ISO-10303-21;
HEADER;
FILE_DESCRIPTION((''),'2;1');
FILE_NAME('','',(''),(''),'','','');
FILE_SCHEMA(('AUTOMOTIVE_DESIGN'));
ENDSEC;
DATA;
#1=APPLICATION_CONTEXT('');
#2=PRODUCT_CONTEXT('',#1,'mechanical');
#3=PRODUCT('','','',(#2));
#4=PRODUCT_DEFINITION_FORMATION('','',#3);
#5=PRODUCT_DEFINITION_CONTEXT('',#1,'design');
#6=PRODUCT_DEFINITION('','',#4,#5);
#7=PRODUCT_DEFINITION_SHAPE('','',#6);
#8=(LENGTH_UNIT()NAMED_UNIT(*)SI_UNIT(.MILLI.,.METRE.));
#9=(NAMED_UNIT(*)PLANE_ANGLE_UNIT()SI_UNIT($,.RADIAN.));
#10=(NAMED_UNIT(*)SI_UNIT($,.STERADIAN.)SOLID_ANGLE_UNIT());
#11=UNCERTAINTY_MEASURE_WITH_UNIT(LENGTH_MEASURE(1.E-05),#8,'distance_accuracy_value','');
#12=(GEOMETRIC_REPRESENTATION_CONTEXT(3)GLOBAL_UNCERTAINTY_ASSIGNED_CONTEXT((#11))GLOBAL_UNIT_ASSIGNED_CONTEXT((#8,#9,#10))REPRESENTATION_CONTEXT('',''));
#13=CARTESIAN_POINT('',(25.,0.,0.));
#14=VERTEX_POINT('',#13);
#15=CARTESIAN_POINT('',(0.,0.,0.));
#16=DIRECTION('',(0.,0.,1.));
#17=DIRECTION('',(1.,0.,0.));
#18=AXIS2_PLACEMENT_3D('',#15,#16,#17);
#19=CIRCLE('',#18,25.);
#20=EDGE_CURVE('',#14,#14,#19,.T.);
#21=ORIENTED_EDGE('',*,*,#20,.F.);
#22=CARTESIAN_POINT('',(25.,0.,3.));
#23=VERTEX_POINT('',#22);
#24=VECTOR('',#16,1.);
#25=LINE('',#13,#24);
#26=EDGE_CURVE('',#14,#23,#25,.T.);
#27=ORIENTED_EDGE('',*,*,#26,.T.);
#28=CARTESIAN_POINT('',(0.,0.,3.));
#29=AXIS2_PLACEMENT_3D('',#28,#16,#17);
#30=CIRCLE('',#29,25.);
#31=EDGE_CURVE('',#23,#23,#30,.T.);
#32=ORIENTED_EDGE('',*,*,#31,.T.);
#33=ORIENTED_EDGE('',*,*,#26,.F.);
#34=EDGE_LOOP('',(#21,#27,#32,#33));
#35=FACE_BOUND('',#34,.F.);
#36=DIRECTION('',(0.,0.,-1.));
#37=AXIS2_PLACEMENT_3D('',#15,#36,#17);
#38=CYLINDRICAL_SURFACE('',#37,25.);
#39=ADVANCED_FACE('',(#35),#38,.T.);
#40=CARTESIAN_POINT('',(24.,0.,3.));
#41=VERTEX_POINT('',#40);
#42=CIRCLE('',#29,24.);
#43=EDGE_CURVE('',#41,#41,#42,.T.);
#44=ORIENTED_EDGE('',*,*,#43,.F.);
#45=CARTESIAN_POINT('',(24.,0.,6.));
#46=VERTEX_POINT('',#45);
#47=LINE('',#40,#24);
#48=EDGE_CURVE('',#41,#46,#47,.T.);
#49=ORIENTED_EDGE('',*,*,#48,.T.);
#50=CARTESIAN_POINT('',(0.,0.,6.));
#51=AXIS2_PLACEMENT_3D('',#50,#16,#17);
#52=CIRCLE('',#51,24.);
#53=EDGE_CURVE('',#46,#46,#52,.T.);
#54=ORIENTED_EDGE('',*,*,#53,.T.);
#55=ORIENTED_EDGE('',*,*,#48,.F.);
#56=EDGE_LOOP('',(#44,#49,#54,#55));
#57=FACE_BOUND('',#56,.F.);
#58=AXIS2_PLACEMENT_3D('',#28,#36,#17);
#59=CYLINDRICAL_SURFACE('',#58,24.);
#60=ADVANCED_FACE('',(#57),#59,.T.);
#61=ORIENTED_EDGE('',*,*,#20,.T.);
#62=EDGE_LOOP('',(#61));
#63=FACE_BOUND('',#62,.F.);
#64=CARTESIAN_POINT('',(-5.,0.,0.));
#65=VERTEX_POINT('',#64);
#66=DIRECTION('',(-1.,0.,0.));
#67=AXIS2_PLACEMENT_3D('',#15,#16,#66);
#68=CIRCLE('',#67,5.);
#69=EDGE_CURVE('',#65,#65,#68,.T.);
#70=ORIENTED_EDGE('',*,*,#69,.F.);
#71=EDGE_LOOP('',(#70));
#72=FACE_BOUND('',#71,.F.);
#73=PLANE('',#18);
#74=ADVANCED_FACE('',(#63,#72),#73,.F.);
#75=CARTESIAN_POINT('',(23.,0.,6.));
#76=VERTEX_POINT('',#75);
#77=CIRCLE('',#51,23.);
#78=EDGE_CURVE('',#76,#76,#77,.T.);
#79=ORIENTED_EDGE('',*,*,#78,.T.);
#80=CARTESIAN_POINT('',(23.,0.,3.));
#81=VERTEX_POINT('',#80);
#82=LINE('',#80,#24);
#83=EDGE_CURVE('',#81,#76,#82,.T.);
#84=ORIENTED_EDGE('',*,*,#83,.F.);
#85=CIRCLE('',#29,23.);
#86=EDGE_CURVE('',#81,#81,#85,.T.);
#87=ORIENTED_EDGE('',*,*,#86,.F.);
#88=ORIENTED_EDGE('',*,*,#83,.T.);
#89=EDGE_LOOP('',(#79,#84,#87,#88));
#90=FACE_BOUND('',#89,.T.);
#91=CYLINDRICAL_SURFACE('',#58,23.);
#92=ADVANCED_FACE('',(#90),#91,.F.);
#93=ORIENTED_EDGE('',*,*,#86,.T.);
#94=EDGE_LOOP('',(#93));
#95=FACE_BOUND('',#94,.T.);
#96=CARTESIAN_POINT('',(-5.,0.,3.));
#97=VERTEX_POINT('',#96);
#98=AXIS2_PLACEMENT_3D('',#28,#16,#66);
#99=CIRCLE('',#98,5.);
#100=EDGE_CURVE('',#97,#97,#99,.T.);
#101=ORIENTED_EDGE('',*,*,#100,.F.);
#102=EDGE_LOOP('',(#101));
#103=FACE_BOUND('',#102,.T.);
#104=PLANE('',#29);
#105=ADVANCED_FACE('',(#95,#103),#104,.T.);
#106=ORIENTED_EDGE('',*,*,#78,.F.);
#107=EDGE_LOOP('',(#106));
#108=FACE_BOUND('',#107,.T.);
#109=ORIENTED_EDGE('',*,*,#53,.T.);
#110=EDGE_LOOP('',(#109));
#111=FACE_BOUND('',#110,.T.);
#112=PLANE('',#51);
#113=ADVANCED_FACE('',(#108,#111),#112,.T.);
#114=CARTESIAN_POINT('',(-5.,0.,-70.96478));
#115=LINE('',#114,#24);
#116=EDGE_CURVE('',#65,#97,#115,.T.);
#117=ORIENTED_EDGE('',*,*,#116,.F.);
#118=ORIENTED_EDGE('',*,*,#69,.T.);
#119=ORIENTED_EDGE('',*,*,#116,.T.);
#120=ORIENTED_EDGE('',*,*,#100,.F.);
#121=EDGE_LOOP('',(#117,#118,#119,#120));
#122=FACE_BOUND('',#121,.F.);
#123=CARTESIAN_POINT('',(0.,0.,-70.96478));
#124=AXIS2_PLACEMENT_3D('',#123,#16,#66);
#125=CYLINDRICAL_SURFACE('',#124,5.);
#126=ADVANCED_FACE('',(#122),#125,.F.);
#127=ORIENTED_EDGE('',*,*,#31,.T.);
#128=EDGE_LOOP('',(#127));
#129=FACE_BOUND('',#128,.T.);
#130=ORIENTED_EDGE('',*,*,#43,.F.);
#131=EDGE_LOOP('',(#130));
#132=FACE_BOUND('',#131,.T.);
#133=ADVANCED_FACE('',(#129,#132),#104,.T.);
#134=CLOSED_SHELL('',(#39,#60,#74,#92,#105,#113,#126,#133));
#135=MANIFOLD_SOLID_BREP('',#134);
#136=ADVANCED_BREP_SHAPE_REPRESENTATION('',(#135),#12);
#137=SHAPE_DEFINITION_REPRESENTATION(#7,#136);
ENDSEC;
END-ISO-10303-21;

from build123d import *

# Parameters (mm, degrees)
F0_R     = 25
F1_DEPTH = 3
F2_R     = 24
F2_R_2   = 23
F3_DEPTH = 3
F4_D     = 10


with BuildPart() as f1:
    # F0 (on Top) → F1 (new body)
    with BuildSketch(Plane.XY):
        Circle(F0_R)
    extrude(amount=F1_DEPTH)

    # F2 (on face) → F3 (join)
    with BuildSketch(Plane.XY.offset(3)):
        Circle(F2_R)
        Circle(F2_R_2, mode=Mode.SUBTRACT)
    extrude(amount=F3_DEPTH)

    # F4 (through all)
    with Locations(Plane(origin=(0, 0, 0), x_dir=(1, 0, 0), z_dir=(0, 0, -1))):
        with Locations((0, 0)):
            Hole(F4_D / 2)


solid = f1.part
